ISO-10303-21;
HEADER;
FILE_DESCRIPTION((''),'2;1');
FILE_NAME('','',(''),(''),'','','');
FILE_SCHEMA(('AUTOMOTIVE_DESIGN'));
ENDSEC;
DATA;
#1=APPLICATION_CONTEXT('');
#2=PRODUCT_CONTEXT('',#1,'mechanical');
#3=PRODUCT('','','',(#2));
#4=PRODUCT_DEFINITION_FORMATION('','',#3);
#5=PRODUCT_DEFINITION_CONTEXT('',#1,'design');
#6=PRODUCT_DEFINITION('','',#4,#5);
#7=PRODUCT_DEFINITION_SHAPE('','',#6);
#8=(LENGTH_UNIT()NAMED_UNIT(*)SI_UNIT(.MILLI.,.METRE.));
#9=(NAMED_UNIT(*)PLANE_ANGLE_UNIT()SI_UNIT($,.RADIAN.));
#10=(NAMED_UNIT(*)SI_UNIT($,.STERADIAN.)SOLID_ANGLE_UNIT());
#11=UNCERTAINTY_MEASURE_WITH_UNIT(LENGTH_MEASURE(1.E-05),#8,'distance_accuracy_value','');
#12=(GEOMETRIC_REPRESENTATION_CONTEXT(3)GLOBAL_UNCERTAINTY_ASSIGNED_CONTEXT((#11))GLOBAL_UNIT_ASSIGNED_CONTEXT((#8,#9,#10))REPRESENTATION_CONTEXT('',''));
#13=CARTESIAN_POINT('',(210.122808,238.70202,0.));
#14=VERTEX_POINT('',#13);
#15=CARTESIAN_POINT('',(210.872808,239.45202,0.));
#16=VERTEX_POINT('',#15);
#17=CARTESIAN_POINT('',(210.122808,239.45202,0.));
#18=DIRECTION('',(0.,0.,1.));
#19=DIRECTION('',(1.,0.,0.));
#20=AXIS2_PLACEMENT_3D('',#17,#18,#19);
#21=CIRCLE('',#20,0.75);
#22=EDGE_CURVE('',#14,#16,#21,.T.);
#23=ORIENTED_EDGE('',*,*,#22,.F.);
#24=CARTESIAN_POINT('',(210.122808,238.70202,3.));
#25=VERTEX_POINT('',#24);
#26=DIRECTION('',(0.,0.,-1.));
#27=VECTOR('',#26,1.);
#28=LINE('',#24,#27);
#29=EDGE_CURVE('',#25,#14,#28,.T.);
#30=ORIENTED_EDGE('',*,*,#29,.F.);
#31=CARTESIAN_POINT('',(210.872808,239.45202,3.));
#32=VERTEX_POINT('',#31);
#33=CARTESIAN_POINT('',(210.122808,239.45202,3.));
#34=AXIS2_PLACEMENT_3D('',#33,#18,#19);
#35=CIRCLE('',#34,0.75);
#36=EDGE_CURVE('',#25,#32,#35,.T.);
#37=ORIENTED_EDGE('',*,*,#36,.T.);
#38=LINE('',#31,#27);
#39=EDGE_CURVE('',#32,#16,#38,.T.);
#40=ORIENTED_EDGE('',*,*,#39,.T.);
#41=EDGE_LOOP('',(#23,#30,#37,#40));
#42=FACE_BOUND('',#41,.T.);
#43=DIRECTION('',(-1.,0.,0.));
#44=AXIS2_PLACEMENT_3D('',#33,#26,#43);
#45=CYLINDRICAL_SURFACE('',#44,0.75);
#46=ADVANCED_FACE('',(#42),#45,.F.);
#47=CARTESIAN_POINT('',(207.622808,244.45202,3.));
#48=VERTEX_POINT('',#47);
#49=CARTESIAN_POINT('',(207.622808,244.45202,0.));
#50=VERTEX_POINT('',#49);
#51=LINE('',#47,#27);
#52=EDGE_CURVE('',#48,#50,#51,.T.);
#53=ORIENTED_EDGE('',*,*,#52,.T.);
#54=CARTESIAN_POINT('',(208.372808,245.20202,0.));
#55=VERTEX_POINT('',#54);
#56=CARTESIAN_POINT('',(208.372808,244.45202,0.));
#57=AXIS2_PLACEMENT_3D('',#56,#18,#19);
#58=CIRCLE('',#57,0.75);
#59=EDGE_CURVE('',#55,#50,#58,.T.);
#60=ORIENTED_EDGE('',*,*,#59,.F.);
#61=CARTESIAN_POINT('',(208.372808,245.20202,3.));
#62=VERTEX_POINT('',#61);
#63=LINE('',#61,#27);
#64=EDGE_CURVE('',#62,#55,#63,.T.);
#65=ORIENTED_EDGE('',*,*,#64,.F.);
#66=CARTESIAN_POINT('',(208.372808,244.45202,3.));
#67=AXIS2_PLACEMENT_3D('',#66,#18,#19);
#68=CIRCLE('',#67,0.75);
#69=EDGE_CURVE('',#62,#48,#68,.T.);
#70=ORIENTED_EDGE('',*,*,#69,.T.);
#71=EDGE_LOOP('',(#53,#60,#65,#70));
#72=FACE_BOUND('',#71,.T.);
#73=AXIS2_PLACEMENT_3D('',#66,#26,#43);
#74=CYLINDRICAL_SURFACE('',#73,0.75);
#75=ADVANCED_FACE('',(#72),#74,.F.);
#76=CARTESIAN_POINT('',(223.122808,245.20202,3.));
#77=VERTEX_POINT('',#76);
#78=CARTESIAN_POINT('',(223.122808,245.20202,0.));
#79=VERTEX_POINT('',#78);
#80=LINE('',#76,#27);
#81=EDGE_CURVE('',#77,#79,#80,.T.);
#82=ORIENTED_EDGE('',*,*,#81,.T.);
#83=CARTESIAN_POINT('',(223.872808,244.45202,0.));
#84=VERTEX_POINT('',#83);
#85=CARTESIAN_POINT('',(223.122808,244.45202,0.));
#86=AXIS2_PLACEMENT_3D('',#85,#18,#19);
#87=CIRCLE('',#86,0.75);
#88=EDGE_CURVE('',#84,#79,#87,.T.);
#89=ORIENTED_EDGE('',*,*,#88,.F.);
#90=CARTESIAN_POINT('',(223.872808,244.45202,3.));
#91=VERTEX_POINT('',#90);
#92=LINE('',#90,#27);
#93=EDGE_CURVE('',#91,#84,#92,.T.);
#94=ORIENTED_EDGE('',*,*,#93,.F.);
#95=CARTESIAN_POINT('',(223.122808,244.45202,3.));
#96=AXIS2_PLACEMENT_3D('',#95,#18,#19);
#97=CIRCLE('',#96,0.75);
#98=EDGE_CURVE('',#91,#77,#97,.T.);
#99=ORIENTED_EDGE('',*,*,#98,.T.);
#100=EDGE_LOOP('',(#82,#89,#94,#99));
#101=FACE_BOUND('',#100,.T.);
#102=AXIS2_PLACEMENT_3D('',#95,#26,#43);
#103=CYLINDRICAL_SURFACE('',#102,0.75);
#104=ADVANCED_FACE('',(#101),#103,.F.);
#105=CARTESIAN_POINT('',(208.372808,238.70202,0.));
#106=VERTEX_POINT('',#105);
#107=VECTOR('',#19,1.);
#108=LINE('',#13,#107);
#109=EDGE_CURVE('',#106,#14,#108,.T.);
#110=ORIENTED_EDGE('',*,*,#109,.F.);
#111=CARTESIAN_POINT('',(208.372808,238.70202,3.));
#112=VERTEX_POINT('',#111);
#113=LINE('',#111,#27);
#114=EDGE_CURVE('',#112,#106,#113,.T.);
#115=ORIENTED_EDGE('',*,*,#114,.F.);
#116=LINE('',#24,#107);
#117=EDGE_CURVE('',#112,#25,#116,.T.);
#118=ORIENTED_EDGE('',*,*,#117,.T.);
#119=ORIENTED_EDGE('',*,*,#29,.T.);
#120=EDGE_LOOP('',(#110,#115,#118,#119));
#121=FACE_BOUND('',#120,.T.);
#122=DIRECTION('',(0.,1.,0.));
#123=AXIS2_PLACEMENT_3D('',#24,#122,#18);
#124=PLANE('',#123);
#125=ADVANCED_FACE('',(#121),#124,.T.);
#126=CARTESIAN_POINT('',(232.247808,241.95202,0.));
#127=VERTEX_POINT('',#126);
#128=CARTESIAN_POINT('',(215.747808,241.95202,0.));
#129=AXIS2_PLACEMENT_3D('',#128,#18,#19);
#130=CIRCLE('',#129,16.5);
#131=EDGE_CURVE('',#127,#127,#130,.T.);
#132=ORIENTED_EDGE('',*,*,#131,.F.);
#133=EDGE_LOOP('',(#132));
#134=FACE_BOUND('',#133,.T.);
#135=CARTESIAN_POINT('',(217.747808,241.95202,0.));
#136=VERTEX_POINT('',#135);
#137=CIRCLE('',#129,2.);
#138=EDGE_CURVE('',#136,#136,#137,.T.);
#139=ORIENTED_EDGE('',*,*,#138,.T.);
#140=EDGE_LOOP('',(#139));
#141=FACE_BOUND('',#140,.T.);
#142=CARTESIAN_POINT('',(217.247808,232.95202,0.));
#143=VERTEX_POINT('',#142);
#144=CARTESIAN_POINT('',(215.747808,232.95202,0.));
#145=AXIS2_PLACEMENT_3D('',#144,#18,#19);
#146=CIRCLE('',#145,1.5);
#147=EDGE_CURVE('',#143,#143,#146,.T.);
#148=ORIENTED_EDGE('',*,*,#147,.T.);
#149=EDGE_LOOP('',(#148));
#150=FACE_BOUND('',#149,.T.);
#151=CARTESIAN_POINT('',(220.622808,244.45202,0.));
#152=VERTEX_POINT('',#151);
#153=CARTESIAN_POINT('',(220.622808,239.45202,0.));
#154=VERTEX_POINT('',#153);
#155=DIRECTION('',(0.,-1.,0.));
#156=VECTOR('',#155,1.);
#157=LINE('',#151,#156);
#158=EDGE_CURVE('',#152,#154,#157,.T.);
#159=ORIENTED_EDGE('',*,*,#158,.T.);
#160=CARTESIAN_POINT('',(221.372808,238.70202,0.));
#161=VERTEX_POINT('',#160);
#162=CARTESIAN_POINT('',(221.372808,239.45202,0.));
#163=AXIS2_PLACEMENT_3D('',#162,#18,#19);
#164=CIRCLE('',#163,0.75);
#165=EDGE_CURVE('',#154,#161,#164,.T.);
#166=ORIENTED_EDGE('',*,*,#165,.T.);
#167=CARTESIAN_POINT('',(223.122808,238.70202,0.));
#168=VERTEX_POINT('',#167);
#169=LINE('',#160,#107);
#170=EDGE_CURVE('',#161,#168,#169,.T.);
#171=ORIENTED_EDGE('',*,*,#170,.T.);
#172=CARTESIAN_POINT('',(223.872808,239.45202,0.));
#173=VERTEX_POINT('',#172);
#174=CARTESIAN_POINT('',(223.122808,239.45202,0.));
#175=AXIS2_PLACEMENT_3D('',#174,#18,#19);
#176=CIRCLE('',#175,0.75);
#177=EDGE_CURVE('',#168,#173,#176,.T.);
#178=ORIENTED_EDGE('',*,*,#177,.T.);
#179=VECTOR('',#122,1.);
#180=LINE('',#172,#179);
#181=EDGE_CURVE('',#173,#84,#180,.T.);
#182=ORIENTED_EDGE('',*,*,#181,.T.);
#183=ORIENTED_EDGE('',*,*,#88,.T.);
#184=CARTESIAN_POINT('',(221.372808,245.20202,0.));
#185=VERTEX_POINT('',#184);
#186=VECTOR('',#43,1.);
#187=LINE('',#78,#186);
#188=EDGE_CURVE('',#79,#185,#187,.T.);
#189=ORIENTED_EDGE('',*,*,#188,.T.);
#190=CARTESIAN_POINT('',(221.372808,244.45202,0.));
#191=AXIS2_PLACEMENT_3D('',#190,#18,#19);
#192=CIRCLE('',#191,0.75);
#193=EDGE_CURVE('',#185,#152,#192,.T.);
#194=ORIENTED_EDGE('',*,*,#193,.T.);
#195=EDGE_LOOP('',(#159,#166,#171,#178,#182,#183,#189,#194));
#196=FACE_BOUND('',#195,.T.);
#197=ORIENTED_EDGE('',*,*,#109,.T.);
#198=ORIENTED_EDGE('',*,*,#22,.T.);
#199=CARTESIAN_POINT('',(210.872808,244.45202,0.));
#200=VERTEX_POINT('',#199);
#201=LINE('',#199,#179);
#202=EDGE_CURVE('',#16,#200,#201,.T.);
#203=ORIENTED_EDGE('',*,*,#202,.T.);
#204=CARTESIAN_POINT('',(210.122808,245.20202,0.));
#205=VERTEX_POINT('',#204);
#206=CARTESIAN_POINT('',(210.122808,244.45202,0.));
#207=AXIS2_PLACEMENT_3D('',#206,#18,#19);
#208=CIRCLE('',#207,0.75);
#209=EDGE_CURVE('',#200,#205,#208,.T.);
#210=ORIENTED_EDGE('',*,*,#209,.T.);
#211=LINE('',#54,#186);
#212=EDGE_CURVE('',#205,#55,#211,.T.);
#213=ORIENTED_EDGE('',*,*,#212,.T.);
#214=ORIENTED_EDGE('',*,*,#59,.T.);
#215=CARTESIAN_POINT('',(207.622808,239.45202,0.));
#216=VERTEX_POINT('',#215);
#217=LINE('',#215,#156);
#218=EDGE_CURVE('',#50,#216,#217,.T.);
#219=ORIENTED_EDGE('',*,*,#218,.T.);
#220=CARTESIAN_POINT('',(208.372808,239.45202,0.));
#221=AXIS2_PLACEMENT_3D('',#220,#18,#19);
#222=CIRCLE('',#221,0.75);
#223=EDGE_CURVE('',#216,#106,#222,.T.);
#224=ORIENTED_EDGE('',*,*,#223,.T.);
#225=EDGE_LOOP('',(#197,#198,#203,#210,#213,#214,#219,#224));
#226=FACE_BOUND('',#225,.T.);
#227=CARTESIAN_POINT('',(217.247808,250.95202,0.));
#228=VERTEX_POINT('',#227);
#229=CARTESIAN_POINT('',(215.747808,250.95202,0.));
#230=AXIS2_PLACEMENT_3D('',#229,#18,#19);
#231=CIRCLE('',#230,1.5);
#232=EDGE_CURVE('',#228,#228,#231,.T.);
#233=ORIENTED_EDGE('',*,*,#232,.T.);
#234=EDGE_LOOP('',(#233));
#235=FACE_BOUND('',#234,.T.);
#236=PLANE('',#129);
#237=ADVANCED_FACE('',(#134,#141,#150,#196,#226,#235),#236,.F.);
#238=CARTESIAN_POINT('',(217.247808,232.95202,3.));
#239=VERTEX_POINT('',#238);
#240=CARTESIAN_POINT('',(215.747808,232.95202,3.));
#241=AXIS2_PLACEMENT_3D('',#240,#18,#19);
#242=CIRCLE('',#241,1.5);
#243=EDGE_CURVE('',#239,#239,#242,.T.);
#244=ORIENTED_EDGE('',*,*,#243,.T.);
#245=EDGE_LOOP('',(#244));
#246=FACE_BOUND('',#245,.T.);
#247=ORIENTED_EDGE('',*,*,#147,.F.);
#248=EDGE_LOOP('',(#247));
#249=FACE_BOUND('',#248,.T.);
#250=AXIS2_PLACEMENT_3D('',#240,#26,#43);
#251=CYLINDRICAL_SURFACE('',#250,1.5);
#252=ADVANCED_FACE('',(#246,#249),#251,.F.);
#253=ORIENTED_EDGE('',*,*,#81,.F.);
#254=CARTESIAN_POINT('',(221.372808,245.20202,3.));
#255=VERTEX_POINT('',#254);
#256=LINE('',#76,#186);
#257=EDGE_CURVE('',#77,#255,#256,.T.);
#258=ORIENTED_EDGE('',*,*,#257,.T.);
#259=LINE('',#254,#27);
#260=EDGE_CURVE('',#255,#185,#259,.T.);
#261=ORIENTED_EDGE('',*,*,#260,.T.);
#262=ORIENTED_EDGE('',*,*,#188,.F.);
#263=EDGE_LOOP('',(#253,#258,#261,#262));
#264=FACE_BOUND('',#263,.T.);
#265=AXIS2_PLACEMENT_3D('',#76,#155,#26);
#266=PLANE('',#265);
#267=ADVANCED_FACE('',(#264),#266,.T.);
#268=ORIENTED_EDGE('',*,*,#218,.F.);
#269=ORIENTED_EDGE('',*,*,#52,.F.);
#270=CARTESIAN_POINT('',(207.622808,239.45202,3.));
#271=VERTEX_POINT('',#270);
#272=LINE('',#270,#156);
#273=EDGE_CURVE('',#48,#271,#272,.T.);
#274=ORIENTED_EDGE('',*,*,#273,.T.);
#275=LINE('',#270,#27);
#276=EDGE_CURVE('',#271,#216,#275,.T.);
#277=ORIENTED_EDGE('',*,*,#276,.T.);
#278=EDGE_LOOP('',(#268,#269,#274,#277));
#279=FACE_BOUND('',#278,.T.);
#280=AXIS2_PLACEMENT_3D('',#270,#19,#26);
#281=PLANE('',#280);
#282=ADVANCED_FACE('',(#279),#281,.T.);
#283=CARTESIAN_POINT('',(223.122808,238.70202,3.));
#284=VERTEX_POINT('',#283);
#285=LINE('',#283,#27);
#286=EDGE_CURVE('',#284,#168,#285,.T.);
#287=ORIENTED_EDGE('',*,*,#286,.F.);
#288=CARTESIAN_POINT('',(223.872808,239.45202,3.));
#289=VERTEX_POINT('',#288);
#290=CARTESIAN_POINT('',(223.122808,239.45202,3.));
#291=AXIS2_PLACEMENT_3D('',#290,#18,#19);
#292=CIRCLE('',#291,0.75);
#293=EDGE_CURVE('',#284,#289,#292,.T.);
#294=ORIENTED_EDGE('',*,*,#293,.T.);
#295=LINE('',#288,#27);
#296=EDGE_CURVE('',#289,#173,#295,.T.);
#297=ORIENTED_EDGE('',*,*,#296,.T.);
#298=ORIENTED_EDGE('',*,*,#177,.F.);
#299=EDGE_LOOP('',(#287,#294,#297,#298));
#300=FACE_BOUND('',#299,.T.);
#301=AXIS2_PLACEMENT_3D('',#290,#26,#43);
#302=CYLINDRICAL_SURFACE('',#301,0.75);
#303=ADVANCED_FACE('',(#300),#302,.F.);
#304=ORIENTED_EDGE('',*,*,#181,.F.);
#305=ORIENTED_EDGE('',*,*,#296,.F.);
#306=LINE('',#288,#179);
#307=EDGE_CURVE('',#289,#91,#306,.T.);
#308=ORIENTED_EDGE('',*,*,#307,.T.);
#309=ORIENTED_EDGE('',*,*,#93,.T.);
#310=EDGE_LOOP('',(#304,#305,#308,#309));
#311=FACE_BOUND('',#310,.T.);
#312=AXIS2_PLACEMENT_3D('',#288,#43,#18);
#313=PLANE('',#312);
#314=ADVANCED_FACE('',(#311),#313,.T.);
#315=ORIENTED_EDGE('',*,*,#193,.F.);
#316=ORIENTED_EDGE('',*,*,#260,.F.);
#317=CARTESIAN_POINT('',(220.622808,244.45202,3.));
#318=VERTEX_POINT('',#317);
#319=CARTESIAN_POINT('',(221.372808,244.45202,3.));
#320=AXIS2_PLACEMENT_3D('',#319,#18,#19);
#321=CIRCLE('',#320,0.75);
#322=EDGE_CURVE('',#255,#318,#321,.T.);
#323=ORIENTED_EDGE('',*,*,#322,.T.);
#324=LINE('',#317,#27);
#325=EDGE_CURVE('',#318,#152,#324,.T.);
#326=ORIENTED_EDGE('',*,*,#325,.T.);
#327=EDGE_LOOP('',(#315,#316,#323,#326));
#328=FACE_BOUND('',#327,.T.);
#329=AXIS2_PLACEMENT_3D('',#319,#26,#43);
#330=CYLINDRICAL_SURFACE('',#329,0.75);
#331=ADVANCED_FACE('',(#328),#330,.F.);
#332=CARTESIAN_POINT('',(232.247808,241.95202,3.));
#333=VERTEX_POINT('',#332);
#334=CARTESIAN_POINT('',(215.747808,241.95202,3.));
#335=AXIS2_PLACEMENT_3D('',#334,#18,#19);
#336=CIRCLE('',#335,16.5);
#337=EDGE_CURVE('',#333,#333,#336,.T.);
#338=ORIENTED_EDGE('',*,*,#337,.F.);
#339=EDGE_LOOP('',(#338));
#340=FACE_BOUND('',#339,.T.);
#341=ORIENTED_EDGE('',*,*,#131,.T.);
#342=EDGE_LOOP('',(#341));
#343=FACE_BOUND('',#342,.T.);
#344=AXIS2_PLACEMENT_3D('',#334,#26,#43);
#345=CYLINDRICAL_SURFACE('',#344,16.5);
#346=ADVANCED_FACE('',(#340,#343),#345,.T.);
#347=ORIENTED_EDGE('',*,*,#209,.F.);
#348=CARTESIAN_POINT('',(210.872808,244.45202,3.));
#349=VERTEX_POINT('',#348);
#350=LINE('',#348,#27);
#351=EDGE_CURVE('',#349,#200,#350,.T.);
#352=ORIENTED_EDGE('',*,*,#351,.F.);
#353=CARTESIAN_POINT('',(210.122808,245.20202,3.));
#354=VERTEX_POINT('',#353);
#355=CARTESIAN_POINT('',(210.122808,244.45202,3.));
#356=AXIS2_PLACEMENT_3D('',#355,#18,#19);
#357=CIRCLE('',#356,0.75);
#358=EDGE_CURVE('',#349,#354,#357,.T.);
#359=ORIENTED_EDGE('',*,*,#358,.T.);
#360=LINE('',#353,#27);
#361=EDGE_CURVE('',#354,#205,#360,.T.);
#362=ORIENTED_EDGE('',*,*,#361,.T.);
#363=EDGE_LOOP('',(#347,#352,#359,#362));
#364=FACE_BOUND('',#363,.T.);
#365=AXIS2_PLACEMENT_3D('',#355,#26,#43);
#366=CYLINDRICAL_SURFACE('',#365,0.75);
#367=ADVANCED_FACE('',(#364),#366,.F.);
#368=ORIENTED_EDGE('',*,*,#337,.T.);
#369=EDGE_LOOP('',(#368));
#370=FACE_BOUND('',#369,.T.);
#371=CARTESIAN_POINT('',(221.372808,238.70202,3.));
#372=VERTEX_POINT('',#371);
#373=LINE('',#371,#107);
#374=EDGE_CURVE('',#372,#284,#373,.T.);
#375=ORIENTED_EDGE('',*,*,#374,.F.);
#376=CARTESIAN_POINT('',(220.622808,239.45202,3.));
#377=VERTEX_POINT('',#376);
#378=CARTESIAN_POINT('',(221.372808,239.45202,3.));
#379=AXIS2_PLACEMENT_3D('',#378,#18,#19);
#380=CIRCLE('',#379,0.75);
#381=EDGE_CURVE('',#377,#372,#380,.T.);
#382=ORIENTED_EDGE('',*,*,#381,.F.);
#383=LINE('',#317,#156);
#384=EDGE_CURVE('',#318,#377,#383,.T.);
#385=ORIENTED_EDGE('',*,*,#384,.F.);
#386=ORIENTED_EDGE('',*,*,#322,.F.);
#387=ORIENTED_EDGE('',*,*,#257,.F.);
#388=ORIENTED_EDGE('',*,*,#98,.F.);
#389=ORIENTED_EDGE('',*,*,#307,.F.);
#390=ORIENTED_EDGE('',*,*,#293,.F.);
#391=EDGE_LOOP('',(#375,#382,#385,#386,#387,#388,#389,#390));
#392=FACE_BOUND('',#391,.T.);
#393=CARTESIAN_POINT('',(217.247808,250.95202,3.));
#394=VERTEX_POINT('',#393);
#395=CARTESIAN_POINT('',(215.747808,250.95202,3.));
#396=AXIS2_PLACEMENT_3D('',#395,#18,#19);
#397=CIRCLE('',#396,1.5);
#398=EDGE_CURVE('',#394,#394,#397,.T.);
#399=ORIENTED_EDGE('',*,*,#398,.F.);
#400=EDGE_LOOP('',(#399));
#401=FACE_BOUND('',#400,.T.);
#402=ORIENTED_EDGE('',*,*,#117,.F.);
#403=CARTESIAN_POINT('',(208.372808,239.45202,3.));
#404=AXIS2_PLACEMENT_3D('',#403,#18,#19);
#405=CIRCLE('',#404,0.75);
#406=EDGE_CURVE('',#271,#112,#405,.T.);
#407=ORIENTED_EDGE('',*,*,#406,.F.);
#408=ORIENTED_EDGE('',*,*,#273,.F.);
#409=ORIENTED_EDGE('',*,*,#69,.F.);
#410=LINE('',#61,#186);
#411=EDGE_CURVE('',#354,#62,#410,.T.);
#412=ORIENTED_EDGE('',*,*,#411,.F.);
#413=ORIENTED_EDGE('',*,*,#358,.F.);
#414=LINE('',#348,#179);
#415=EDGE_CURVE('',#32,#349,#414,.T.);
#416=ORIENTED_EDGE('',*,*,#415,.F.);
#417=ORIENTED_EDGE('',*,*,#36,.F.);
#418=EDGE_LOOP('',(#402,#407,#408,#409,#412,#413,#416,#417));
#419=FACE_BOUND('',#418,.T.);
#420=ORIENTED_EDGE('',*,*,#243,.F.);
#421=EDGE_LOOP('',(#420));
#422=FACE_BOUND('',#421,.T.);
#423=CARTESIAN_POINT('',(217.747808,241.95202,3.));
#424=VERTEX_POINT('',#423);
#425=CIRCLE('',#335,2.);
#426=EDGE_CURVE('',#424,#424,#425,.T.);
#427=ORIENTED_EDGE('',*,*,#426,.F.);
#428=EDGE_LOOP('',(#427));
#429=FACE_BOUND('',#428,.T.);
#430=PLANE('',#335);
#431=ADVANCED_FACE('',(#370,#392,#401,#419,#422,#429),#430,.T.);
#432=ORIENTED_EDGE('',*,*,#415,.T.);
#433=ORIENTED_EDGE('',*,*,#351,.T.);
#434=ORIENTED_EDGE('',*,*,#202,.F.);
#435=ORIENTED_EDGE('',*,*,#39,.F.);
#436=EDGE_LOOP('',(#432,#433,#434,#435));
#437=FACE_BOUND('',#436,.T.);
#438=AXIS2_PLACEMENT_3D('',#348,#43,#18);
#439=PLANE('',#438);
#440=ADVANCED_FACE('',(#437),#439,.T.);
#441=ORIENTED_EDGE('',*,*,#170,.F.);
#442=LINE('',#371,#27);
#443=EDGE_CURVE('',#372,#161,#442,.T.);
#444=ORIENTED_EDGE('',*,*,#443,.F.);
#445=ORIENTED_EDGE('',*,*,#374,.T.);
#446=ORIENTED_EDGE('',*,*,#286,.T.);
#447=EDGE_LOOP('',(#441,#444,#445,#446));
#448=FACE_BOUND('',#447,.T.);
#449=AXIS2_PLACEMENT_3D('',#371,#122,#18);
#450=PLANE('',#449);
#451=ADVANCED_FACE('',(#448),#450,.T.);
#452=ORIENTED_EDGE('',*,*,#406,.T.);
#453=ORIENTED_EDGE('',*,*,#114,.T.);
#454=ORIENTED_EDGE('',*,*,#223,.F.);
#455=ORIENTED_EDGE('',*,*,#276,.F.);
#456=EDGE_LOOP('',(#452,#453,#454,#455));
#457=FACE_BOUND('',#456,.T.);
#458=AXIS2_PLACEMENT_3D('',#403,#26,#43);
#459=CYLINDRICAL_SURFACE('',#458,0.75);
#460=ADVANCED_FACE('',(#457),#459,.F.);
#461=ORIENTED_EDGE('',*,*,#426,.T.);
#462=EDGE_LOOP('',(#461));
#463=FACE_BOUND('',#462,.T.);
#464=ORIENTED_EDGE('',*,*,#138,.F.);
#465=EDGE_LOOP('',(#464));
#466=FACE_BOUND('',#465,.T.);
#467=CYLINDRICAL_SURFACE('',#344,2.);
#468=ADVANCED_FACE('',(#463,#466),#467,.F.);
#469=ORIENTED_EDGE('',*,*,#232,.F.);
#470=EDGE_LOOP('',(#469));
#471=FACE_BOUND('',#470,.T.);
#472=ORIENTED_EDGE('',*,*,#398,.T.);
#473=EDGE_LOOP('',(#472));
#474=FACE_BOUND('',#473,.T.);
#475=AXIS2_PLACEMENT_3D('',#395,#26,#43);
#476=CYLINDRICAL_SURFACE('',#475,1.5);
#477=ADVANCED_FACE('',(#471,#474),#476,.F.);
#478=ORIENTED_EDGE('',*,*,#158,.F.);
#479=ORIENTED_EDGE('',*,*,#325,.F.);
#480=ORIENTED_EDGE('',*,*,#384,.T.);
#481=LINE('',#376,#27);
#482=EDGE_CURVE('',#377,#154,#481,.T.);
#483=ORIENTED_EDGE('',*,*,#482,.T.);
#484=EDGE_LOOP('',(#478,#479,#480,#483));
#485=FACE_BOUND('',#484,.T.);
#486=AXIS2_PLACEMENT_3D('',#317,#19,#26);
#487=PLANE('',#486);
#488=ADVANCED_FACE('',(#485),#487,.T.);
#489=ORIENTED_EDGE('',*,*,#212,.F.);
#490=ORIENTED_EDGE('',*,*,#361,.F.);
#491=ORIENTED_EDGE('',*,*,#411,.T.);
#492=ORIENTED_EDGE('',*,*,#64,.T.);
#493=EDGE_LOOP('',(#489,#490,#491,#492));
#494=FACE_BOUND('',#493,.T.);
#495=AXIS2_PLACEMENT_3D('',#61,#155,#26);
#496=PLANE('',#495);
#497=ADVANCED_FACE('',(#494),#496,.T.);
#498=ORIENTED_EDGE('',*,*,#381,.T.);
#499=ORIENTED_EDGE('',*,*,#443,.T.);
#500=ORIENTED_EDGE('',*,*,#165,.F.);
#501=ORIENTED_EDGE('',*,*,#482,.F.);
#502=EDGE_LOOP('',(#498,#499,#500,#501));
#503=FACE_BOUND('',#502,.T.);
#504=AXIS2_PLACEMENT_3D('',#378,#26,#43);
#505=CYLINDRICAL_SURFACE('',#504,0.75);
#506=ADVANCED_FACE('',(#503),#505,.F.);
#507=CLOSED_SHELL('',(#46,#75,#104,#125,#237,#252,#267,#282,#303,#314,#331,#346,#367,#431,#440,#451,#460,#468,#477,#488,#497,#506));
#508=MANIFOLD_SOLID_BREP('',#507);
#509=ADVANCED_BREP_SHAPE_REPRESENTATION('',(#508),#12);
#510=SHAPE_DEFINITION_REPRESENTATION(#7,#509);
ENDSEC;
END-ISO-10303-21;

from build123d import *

# Parameters (mm, degrees)
MODEL_R                 = 16.5
MODEL_R_2               = 2
MODEL_R_3               = 1.5
SALIENTE_EXTRUIR1_DEPTH = 3


with BuildPart() as part:
    # Model → Saliente-Extruir1 (new body)
    with BuildSketch(Plane.XY):
        with Locations((215.747807914, 241.952019993)):
            Circle(MODEL_R)
        with Locations((215.747807914, 241.952019993)):
            Circle(MODEL_R_2, mode=Mode.SUBTRACT)
        with Locations((215.747807914, 232.952019993)):
            Circle(MODEL_R_3, mode=Mode.SUBTRACT)
        with Locations((215.747807914, 250.952019993)):
            Circle(MODEL_R_3, mode=Mode.SUBTRACT)
        with BuildLine():
            Line((223.122807913, 245.202019993), (221.372807913, 245.202019993))
            ThreePointArc((221.372807913, 245.202019993), (220.842477828, 244.982350079), (220.622807913, 244.452019993))
            Line((220.622807913, 244.452019993), (220.622807913, 239.452019993))
            ThreePointArc((220.622807913, 239.452019993), (220.842477828, 238.921689907), (221.372807913, 238.702019993))
            Line((221.372807913, 238.702019993), (223.122807913, 238.702019993))
            ThreePointArc((223.122807913, 238.702019993), (223.653137999, 238.921689907), (223.872807913, 239.452019993))
            Line((223.872807913, 239.452019993), (223.872807913, 244.452019993))
            ThreePointArc((223.872807913, 244.452019993), (223.653137999, 244.982350079), (223.122807913, 245.202019993))
        make_face(mode=Mode.SUBTRACT)
        with BuildLine():
            Line((208.372807913, 245.202019993), (210.122807913, 245.202019993))
            ThreePointArc((210.122807913, 245.202019993), (210.653137999, 244.982350079), (210.872807913, 244.452019993))
            Line((210.872807913, 244.452019993), (210.872807913, 239.452019993))
            ThreePointArc((210.872807913, 239.452019993), (210.653137999, 238.921689907), (210.122807913, 238.702019993))
            Line((210.122807913, 238.702019993), (208.372807913, 238.702019993))
            ThreePointArc((208.372807913, 238.702019993), (207.842477828, 238.921689907), (207.622807913, 239.452019993))
            Line((207.622807913, 239.452019993), (207.622807913, 244.452019993))
            ThreePointArc((207.622807913, 244.452019993), (207.842477828, 244.982350079), (208.372807913, 245.202019993))
        make_face(mode=Mode.SUBTRACT)
    extrude(amount=SALIENTE_EXTRUIR1_DEPTH)


solid = part.part
